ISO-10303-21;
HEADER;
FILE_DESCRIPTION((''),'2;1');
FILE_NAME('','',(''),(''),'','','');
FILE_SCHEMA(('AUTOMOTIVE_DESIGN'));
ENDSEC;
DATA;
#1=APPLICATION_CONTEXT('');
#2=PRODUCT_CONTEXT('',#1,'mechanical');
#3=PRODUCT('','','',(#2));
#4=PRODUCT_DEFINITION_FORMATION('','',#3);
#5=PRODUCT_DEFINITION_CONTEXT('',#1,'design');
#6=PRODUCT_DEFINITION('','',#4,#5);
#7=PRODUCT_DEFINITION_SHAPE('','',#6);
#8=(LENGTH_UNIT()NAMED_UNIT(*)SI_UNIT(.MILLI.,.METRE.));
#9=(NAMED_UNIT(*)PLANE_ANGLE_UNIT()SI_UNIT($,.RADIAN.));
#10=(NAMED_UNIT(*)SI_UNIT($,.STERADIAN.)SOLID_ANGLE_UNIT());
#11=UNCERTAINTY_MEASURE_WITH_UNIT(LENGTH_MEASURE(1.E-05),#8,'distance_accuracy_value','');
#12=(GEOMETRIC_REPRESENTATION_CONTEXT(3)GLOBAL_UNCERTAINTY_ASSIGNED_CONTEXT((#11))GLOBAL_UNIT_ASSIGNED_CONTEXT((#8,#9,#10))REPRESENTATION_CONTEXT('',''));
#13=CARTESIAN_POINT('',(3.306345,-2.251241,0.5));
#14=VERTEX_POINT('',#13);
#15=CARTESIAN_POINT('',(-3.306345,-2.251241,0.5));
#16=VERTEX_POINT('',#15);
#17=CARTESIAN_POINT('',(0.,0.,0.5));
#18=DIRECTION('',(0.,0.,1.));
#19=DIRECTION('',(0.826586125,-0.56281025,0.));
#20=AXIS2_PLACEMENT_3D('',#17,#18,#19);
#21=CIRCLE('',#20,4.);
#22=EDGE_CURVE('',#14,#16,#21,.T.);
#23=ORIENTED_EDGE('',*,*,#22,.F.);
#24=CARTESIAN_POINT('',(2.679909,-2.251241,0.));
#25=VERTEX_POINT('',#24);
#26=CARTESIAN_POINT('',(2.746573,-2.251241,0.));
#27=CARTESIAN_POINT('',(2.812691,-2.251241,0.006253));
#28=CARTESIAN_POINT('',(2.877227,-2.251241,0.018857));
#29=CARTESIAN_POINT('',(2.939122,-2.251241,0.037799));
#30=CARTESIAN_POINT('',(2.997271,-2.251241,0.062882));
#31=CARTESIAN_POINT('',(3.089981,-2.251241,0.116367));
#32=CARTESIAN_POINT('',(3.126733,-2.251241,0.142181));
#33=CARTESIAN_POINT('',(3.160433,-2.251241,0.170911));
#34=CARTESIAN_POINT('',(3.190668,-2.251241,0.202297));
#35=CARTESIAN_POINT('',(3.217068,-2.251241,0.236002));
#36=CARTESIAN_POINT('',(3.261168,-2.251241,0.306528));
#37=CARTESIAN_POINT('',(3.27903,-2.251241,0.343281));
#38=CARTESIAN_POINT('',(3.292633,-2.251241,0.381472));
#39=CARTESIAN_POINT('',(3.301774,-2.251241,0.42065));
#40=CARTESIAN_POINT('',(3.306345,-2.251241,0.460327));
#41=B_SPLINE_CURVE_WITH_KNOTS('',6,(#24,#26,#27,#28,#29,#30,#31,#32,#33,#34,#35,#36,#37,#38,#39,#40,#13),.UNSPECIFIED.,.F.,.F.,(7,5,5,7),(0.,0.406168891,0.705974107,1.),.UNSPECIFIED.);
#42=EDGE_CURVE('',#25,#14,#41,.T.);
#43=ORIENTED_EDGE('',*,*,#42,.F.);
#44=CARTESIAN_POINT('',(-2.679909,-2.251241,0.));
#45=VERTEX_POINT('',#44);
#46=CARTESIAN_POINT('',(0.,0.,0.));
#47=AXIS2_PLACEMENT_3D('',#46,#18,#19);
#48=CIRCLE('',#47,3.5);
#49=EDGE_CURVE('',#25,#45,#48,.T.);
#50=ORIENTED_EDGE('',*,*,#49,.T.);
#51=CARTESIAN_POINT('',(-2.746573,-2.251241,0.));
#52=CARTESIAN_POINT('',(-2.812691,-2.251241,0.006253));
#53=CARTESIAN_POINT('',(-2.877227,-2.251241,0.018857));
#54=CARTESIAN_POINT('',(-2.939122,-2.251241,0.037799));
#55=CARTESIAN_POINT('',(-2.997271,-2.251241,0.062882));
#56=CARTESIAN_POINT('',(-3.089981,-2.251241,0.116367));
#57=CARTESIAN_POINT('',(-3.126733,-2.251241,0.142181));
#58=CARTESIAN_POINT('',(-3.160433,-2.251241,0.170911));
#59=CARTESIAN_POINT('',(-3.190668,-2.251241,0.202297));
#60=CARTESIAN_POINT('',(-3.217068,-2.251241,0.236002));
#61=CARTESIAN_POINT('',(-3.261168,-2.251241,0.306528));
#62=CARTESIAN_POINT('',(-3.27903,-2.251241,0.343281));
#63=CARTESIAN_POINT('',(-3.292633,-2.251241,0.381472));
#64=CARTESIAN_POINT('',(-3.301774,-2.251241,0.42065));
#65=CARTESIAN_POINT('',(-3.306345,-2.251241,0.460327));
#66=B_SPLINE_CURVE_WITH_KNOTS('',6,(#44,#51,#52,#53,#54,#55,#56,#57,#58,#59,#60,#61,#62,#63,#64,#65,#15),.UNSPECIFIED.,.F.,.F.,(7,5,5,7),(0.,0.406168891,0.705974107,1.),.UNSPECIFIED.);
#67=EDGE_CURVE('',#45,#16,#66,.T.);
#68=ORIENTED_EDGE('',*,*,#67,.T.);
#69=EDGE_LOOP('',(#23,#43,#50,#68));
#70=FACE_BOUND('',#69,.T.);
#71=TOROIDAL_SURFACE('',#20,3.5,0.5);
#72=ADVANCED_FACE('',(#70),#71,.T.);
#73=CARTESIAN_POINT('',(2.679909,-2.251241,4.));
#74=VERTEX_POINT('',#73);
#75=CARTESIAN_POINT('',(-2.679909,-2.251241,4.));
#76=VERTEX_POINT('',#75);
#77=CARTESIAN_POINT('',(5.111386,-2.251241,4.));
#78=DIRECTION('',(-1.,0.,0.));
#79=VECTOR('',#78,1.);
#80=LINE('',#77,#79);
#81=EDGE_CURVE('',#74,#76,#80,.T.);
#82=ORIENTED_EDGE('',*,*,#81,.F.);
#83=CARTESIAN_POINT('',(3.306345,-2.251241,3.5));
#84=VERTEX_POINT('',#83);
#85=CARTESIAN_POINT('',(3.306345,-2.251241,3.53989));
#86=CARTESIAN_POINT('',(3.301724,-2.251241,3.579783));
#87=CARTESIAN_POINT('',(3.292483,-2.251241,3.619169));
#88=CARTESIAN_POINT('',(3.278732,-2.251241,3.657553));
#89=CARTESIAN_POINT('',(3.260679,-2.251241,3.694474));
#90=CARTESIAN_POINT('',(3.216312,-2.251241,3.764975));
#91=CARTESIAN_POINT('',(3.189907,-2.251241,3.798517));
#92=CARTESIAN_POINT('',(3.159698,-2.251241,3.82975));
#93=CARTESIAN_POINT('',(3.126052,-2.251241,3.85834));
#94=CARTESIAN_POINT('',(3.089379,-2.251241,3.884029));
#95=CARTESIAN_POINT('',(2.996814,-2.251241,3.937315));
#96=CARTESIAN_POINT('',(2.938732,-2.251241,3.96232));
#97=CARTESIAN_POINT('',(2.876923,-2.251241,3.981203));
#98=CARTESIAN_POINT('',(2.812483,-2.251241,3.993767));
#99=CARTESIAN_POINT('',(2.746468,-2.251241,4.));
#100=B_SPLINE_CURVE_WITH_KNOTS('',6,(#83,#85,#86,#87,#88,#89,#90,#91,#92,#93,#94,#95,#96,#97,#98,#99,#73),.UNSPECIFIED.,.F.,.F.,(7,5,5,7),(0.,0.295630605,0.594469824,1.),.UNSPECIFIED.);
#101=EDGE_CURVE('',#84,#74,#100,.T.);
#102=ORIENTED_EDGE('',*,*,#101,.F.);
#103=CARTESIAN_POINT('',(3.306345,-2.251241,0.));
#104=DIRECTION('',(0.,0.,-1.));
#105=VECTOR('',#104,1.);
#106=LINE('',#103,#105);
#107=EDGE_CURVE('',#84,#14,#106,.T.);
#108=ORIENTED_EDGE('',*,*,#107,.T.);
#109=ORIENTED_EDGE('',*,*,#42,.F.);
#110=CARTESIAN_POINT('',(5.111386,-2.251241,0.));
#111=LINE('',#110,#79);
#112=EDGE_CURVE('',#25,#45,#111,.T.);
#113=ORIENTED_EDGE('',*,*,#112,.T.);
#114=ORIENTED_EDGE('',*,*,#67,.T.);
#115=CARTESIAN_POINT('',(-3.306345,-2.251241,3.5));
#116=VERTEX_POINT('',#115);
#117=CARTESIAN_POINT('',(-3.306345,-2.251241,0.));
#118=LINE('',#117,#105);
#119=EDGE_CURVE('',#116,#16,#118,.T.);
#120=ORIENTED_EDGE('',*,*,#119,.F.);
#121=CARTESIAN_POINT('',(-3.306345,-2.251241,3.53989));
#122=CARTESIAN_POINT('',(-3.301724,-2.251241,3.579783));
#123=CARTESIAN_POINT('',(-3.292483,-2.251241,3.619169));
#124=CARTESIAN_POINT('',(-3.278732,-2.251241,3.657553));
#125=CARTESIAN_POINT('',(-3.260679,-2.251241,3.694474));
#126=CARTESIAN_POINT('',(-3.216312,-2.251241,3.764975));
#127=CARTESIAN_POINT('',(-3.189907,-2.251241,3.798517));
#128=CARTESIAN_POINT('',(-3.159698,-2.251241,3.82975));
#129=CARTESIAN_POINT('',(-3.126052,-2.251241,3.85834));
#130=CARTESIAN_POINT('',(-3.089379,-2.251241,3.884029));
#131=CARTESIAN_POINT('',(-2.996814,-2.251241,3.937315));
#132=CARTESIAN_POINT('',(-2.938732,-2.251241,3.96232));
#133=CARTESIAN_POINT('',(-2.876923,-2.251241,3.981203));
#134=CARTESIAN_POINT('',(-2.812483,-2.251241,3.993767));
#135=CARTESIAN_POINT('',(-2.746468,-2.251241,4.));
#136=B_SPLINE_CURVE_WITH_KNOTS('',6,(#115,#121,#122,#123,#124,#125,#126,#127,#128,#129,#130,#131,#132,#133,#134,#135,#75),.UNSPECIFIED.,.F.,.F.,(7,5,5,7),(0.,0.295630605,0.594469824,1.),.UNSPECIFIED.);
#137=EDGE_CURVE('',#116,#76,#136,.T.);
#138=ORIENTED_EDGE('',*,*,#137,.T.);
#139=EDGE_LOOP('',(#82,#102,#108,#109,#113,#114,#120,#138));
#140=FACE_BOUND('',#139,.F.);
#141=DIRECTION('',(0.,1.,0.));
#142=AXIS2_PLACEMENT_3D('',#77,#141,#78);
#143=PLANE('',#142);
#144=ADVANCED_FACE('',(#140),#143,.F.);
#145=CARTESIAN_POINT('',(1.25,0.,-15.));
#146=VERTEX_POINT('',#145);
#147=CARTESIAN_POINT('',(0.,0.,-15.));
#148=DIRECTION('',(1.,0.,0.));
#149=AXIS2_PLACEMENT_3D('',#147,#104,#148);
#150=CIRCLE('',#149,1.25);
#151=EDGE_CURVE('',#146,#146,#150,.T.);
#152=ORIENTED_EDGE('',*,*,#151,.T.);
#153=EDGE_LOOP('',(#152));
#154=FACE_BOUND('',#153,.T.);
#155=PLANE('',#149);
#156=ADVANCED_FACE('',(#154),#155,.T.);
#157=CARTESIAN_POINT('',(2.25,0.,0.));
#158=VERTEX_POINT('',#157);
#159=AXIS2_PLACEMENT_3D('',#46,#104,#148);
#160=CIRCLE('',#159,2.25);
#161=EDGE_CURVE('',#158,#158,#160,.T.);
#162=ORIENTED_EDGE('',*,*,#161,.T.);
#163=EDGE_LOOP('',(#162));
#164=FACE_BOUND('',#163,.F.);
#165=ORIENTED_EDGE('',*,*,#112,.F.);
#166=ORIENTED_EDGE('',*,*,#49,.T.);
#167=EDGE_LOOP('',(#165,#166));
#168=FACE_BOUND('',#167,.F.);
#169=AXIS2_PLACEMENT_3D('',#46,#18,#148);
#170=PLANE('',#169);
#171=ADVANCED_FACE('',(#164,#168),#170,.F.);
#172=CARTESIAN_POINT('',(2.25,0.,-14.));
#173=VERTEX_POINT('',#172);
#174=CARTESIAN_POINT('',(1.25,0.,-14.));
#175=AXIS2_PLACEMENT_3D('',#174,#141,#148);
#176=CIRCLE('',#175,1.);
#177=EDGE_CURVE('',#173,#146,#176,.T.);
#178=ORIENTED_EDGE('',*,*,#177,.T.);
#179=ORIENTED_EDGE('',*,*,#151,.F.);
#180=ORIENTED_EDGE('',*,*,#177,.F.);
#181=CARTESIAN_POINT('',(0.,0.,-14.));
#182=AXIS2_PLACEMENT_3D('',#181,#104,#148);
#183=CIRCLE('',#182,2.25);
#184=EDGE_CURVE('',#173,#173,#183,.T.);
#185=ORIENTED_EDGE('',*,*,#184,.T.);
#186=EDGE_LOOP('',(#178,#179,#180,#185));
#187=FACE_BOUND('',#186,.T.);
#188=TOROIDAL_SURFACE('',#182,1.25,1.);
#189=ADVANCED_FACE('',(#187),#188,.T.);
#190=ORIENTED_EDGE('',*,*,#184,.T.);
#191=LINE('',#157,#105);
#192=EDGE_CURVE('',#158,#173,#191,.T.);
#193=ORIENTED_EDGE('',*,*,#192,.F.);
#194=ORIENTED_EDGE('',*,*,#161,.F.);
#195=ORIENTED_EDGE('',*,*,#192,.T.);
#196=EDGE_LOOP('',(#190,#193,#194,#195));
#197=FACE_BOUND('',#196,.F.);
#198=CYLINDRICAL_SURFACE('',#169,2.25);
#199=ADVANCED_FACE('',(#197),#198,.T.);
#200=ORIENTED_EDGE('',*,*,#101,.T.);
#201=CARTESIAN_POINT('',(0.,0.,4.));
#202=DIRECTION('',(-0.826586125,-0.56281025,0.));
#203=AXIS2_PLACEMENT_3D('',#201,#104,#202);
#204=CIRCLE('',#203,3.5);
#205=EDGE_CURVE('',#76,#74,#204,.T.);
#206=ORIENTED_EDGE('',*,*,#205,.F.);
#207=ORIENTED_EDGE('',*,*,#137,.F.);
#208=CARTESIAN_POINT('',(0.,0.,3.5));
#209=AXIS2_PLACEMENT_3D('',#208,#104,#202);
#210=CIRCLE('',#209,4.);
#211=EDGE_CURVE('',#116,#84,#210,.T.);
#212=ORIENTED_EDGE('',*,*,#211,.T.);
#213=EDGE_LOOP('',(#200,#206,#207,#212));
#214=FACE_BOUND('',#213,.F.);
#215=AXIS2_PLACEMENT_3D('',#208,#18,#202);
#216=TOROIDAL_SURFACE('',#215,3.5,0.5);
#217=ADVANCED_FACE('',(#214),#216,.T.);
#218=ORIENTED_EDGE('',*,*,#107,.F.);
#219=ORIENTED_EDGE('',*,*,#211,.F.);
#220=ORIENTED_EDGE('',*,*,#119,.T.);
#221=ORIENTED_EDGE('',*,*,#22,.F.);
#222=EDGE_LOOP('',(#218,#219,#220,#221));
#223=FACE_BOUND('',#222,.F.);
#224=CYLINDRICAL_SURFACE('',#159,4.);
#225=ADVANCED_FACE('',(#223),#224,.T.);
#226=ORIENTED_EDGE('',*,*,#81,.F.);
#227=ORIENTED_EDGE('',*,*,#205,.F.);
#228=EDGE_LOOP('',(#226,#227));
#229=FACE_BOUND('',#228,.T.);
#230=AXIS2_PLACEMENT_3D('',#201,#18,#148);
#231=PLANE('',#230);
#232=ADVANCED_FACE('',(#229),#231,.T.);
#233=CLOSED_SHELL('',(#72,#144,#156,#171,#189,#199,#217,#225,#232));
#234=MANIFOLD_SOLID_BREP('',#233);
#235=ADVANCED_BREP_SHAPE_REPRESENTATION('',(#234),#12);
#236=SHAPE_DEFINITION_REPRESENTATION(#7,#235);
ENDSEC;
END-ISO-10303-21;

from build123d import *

# Parameters (mm, degrees)
F0_R     = 4
F1_DEPTH = 4
F2_R     = 2.25
F3_DEPTH = 15
F5_DEPTH = 4
F6_R     = 1
F7_R     = 0.5


with BuildPart() as f1:
    # F0 (on Top) → F1 (new body)
    with BuildSketch(Plane.XY):
        Circle(F0_R)
    extrude(amount=F1_DEPTH)

    # F2 (on face) → F3 (join)
    with BuildSketch(Plane(origin=(0, 0, 0), x_dir=(1, 0, 0), z_dir=(0, 0, -1))):
        Circle(F2_R)
    extrude(amount=F3_DEPTH)

    # F4 (on face) → F5 (cut)
    with BuildSketch(Plane.XY.offset(4)):
        Polygon((5.111386, -2.251241), (-4.930368, -2.251241), (-2.237212, -4.44078), (3.483612, -4.44078), align=None)
    extrude(amount=-F5_DEPTH, mode=Mode.SUBTRACT)

    # F6
    f6_edges = [f1.edges().sort_by_distance(p)[0] for p in [
        (-2.25, 0, -15),
    ]]
    fillet(f6_edges, radius=F6_R)

    # F7
    f7_edges = [f1.edges().sort_by_distance(p)[0] for p in [
        (0, 4, 0),
        (0, 4, 4),
    ]]
    fillet(f7_edges, radius=F7_R)


solid = f1.part
